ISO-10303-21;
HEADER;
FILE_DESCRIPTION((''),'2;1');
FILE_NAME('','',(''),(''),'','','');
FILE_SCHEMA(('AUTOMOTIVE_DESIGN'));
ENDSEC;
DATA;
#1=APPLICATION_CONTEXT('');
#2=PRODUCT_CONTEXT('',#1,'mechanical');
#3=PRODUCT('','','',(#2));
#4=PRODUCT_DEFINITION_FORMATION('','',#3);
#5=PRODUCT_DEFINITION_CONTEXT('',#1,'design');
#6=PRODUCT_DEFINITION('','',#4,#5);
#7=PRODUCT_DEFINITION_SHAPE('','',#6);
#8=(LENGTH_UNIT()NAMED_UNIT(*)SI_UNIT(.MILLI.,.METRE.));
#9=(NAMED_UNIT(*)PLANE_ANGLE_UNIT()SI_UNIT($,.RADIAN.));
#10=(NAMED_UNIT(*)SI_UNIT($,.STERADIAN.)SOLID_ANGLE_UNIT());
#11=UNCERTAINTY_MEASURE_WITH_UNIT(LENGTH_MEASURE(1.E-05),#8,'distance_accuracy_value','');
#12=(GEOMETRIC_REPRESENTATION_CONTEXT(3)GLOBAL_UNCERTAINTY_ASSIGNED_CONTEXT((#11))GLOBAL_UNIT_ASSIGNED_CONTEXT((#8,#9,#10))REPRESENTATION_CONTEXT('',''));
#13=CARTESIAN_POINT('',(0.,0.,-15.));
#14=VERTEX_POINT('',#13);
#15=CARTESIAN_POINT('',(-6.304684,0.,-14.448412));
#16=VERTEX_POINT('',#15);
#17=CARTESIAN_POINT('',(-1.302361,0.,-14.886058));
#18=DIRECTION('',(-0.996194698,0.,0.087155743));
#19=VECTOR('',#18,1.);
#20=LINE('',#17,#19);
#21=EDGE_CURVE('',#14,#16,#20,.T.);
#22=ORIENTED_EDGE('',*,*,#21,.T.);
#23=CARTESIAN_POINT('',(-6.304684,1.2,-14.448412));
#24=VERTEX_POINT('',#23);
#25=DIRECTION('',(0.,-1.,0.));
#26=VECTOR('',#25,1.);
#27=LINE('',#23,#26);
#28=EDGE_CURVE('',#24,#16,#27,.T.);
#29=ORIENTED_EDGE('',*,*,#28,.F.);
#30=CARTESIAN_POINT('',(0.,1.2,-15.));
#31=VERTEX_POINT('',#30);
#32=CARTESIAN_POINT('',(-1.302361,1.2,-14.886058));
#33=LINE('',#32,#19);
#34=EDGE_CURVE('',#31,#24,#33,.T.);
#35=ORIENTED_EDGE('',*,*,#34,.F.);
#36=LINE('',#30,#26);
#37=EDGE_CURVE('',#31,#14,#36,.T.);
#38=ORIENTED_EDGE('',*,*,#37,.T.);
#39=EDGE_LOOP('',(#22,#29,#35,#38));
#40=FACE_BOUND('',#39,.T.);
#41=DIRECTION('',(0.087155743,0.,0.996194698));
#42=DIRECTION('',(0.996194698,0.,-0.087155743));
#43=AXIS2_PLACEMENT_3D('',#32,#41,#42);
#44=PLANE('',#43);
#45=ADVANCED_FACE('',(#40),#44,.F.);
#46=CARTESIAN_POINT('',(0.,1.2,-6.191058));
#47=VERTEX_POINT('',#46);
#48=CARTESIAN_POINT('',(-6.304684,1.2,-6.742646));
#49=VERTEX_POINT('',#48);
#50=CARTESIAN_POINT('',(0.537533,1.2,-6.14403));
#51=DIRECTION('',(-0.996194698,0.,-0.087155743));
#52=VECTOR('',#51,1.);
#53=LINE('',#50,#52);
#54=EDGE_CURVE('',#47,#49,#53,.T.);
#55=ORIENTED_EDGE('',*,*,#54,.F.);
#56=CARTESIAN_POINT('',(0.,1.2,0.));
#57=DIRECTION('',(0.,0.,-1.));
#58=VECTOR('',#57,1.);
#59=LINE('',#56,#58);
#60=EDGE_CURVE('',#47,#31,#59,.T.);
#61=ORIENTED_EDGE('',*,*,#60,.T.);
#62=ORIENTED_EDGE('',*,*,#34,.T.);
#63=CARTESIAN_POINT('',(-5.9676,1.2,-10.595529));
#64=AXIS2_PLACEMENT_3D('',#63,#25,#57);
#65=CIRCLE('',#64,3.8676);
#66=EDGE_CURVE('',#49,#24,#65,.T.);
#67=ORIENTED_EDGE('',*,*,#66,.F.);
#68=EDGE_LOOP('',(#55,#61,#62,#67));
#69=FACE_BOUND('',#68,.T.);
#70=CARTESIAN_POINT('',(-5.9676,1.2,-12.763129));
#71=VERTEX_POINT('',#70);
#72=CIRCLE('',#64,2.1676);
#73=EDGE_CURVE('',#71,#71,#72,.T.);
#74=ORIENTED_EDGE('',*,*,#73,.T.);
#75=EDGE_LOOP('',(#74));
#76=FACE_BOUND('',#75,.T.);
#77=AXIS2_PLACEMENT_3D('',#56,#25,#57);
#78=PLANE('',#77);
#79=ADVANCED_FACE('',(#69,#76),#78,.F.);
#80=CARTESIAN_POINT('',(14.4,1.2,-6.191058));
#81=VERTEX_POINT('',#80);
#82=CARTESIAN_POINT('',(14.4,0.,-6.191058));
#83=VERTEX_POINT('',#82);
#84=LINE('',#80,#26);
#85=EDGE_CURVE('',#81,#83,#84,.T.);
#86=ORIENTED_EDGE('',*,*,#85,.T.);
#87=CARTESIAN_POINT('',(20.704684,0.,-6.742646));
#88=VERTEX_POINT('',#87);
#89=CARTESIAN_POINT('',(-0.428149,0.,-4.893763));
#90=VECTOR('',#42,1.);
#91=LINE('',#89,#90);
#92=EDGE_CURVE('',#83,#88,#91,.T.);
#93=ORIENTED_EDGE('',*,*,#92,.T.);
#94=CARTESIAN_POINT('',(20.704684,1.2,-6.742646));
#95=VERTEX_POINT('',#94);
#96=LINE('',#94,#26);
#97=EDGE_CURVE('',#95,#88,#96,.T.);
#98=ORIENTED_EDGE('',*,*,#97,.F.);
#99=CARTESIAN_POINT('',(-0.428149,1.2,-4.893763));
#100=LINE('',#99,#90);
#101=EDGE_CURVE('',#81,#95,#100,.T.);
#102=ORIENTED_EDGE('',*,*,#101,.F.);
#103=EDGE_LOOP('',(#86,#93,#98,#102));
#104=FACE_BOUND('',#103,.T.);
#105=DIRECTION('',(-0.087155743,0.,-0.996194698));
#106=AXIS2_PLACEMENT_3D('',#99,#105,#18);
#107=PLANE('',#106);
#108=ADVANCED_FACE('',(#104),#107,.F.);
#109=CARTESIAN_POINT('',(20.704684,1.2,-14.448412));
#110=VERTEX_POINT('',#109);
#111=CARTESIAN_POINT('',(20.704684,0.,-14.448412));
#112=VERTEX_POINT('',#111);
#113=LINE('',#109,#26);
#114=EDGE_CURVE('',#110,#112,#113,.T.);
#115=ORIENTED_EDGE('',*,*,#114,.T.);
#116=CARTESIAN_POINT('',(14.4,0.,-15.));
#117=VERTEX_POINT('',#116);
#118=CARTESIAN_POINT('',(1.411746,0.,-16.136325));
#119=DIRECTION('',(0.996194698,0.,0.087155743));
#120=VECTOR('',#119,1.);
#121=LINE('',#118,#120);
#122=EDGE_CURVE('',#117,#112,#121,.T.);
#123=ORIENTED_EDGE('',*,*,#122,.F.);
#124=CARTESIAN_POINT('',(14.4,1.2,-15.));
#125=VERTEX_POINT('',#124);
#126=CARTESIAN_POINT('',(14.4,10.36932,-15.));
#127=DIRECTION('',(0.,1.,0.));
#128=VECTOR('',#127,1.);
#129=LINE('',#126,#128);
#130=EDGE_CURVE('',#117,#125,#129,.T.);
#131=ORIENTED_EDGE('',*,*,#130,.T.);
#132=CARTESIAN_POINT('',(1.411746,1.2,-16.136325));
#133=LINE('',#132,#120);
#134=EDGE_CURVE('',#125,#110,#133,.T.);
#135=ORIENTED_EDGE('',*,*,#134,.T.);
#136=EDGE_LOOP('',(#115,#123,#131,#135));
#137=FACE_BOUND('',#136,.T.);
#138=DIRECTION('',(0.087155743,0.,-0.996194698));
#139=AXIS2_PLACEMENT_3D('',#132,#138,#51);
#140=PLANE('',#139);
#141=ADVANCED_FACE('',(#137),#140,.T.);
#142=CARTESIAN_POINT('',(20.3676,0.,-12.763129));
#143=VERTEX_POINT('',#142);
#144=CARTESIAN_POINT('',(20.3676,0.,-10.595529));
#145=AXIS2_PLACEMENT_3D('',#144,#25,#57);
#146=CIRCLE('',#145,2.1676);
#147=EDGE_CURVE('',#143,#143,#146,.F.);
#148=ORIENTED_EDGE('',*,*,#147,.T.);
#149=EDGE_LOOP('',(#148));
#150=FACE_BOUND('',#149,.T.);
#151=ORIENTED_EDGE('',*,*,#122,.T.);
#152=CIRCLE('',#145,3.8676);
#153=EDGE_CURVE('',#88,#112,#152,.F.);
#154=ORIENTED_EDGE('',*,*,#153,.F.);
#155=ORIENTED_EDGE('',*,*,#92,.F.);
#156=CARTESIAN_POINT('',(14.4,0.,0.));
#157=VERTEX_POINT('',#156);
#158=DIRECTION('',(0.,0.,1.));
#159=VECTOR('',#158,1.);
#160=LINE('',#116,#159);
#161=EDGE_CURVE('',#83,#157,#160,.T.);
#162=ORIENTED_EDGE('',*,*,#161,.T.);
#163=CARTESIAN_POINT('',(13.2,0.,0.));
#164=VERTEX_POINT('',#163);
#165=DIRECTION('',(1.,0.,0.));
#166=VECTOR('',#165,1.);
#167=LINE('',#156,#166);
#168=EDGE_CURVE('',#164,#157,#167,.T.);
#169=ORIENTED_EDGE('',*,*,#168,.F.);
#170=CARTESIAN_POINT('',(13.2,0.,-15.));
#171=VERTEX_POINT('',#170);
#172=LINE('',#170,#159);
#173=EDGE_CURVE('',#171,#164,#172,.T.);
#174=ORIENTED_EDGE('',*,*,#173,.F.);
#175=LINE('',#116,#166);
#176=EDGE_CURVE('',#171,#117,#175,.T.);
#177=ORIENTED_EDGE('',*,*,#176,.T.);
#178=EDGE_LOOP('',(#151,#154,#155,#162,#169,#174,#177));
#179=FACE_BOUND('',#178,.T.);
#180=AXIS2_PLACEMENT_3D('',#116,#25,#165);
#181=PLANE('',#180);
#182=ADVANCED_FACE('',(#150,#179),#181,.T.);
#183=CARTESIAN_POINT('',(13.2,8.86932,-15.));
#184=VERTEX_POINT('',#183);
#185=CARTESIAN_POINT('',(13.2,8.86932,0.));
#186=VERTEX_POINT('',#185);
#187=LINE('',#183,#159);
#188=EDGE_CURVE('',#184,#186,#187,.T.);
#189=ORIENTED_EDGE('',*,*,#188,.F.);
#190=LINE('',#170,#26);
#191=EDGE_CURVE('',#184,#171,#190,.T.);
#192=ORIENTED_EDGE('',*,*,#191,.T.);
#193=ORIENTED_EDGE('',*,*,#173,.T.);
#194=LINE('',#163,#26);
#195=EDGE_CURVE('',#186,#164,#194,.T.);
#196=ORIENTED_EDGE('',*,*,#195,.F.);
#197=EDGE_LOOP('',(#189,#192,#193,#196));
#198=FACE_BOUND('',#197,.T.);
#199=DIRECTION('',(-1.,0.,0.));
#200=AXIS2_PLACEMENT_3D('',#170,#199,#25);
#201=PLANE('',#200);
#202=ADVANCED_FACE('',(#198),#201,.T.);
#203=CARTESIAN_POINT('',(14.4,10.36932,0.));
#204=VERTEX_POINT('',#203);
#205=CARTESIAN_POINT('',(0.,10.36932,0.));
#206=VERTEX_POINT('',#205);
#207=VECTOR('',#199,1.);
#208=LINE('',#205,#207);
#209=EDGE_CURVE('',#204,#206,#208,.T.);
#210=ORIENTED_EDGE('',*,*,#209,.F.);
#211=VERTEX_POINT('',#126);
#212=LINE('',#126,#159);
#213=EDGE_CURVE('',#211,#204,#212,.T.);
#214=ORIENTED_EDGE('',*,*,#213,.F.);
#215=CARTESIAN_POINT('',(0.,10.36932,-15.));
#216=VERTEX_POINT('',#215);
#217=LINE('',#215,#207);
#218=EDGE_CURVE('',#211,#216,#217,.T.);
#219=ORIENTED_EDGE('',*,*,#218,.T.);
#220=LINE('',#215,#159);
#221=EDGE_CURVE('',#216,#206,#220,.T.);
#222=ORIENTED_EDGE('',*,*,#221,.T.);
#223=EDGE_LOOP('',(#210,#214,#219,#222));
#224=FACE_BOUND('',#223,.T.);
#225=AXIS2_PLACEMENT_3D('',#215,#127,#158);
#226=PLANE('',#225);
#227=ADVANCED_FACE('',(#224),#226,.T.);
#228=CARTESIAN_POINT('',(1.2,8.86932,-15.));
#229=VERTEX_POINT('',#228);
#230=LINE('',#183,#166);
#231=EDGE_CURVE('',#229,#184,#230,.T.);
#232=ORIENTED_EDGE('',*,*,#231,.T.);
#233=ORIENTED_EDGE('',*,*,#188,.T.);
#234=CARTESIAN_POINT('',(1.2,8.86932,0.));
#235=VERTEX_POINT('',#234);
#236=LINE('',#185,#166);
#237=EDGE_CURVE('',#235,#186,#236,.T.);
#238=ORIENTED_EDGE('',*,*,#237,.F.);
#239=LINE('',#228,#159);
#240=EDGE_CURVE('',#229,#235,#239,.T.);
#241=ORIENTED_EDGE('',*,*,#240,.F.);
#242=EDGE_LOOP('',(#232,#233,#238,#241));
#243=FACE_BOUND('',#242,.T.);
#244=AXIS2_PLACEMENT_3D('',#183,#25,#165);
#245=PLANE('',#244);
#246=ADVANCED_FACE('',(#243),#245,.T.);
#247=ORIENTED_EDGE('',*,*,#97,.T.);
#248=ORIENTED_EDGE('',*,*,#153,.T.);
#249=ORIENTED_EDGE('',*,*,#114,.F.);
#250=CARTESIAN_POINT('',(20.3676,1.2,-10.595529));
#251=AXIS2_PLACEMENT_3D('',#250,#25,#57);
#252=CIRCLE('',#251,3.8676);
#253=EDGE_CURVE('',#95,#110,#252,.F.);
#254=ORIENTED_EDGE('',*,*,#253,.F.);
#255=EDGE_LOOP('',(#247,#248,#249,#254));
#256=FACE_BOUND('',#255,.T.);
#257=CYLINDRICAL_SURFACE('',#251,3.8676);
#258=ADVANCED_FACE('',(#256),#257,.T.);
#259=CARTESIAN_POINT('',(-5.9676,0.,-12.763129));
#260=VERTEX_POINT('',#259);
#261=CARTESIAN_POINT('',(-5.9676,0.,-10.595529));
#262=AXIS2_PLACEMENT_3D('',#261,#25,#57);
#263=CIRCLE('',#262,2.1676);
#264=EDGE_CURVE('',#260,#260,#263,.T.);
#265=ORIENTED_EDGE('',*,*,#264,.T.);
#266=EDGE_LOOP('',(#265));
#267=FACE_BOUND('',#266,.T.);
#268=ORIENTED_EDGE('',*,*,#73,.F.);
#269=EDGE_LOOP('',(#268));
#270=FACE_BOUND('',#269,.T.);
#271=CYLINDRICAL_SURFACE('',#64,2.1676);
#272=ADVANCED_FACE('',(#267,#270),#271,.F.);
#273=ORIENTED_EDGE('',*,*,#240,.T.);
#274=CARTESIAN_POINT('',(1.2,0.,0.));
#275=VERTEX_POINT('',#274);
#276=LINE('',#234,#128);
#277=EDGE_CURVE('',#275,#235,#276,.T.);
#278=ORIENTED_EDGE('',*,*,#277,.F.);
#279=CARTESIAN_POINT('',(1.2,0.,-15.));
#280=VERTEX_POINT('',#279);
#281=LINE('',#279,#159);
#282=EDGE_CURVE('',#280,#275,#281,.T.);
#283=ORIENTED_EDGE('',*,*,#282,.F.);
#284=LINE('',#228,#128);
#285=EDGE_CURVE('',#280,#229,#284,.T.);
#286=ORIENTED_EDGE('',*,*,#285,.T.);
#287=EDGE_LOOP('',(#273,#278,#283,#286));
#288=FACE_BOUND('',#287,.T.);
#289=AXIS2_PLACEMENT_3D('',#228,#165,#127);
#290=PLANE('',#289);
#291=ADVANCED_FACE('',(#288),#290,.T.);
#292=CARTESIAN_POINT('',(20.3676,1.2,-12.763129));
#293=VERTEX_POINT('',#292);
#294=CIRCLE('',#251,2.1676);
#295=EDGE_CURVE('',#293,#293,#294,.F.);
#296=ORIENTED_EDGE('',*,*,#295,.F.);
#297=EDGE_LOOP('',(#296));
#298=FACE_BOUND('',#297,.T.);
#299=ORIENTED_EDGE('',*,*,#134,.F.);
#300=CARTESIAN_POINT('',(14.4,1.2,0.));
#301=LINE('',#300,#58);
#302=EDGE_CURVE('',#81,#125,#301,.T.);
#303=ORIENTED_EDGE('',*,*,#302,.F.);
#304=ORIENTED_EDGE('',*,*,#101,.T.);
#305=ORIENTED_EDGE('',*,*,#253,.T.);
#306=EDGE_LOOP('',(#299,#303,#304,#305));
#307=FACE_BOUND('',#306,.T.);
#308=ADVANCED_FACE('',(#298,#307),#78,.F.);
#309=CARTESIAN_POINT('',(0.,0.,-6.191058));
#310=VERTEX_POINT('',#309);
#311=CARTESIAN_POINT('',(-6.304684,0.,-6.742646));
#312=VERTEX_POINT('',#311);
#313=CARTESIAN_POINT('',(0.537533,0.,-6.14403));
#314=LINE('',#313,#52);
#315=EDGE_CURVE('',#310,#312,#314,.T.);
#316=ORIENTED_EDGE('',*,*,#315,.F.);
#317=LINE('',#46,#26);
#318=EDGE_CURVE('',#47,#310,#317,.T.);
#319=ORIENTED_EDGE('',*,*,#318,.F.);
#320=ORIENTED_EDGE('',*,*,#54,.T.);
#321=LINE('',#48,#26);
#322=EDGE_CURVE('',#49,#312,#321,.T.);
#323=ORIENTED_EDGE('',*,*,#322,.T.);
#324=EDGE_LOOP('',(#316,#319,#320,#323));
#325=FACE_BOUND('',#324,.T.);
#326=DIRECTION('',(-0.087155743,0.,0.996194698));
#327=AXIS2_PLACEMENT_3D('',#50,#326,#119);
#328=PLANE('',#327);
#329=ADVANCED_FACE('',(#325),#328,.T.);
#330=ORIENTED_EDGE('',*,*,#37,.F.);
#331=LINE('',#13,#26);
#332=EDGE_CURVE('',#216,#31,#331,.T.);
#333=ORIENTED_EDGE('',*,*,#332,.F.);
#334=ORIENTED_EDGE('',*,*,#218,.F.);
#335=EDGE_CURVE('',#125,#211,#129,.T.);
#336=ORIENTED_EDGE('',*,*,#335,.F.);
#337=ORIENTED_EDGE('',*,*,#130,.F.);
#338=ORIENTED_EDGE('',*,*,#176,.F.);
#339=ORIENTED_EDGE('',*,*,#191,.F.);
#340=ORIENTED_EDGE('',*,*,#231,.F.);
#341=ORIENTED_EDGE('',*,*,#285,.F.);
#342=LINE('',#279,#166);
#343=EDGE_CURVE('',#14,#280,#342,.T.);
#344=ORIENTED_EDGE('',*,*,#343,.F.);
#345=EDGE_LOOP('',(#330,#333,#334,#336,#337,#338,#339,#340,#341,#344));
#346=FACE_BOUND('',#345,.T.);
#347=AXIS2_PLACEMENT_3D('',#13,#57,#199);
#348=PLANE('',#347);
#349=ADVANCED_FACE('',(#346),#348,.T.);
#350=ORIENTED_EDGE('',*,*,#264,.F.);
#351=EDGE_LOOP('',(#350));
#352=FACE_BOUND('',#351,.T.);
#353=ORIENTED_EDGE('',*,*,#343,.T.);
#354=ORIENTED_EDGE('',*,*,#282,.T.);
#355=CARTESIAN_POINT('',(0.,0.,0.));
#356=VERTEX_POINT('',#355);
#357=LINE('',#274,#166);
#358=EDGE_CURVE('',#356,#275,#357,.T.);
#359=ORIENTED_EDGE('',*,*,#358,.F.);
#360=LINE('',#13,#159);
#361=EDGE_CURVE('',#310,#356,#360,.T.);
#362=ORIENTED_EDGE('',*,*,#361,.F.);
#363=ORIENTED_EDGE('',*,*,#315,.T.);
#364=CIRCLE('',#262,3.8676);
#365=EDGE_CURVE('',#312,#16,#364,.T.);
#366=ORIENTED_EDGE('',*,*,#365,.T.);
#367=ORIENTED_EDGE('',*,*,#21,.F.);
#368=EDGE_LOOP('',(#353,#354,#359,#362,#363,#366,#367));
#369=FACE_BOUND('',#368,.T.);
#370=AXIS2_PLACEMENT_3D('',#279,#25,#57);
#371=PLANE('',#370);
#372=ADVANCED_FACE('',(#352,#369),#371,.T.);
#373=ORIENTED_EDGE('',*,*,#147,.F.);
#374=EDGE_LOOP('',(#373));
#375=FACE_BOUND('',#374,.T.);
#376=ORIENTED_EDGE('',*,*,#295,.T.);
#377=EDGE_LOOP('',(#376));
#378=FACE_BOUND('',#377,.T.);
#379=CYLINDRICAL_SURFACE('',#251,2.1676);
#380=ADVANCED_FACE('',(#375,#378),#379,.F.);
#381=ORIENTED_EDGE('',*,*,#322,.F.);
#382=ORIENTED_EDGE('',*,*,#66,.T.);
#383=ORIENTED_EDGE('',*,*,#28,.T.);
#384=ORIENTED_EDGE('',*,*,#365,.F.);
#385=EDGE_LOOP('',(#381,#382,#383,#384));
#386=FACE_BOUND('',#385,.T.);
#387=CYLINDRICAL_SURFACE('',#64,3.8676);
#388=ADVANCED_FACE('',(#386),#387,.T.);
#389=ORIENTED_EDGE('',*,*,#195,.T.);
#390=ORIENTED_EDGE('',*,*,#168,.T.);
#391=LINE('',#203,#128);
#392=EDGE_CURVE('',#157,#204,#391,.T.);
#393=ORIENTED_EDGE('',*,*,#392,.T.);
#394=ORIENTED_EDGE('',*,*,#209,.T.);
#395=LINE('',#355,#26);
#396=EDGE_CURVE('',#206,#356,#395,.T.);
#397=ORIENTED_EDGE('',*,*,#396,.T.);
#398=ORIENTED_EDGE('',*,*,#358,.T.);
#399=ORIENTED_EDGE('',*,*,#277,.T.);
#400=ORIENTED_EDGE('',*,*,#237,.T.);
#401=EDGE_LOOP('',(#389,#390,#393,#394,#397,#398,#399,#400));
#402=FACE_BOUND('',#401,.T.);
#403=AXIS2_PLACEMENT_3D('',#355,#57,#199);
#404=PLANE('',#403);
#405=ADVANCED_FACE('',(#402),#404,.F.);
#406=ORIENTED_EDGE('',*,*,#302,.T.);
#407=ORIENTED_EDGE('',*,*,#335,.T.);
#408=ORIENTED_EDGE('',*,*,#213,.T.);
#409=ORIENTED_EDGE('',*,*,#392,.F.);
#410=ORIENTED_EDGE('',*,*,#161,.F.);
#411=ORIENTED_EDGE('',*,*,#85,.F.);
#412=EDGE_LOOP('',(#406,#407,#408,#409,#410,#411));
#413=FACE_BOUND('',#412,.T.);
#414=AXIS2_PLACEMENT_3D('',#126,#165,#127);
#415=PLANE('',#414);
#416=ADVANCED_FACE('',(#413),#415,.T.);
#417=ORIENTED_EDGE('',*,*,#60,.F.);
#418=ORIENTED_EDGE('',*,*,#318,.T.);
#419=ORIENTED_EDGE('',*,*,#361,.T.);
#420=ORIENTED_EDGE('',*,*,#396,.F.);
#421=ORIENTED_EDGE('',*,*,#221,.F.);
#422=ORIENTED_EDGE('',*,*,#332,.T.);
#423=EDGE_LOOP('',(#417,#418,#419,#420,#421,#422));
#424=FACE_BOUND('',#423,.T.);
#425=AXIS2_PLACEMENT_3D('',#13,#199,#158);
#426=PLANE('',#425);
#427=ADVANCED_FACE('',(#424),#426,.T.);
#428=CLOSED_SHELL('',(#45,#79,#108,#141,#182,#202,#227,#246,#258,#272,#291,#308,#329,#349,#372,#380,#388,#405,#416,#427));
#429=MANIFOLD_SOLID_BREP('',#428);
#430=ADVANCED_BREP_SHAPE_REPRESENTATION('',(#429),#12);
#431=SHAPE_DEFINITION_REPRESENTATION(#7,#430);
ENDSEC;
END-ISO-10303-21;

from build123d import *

# Parameters (mm, degrees)
SALIENTE_EXTRUIR1_DEPTH = 15
CROQUIS2_R              = 2.167600076
SALIENTE_EXTRUIR2_DEPTH = 1.2


with BuildPart() as part:
    # Croquis1 → Saliente-Extruir1 (new body)
    with BuildSketch(Plane.XY):
        Polygon((0, 0), (0, 10.369319961), (14.4, 10.369319961), (14.4, 0), (13.2, 0), (13.2, 8.869319961), (1.2, 8.869319961), (1.2, 0), align=None)
    extrude(amount=-SALIENTE_EXTRUIR1_DEPTH)

    # Croquis2 → Saliente-Extruir2 (add)
    # profile 1 of 2: a face of its own
    with BuildSketch(Plane.XZ):
        with BuildLine():
            ThreePointArc((20.704683633, -6.742646275), (24.235200152, -10.595528965), (20.704683633, -14.448411655))
            Line((20.704683633, -14.448411655), (14.4, -15))
            Line((14.4, -15), (14.4, -6.19105793))
            Line((14.4, -6.19105793), (20.704683633, -6.742646275))
        make_face()
        with Locations(Location((20.367600076, -10.595528965, 0), (0, 0, 270))):
            Circle(CROQUIS2_R, mode=Mode.SUBTRACT)
    # profile 2 of 2: a face of its own
    with BuildSketch(Plane.XZ):
        with BuildLine():
            Line((-6.304683633, -14.448411655), (0, -15))
            Line((0, -15), (0, -6.19105793))
            Line((0, -6.19105793), (-6.304683633, -6.742646275))
            ThreePointArc((-6.304683633, -6.742646275), (-9.835200152, -10.595528965), (-6.304683633, -14.448411655))
        make_face()
        with Locations(Location((-5.967600076, -10.595528965, 0), (0, 0, 270))):
            Circle(CROQUIS2_R, mode=Mode.SUBTRACT)
    extrude(amount=-SALIENTE_EXTRUIR2_DEPTH)


solid = part.part
